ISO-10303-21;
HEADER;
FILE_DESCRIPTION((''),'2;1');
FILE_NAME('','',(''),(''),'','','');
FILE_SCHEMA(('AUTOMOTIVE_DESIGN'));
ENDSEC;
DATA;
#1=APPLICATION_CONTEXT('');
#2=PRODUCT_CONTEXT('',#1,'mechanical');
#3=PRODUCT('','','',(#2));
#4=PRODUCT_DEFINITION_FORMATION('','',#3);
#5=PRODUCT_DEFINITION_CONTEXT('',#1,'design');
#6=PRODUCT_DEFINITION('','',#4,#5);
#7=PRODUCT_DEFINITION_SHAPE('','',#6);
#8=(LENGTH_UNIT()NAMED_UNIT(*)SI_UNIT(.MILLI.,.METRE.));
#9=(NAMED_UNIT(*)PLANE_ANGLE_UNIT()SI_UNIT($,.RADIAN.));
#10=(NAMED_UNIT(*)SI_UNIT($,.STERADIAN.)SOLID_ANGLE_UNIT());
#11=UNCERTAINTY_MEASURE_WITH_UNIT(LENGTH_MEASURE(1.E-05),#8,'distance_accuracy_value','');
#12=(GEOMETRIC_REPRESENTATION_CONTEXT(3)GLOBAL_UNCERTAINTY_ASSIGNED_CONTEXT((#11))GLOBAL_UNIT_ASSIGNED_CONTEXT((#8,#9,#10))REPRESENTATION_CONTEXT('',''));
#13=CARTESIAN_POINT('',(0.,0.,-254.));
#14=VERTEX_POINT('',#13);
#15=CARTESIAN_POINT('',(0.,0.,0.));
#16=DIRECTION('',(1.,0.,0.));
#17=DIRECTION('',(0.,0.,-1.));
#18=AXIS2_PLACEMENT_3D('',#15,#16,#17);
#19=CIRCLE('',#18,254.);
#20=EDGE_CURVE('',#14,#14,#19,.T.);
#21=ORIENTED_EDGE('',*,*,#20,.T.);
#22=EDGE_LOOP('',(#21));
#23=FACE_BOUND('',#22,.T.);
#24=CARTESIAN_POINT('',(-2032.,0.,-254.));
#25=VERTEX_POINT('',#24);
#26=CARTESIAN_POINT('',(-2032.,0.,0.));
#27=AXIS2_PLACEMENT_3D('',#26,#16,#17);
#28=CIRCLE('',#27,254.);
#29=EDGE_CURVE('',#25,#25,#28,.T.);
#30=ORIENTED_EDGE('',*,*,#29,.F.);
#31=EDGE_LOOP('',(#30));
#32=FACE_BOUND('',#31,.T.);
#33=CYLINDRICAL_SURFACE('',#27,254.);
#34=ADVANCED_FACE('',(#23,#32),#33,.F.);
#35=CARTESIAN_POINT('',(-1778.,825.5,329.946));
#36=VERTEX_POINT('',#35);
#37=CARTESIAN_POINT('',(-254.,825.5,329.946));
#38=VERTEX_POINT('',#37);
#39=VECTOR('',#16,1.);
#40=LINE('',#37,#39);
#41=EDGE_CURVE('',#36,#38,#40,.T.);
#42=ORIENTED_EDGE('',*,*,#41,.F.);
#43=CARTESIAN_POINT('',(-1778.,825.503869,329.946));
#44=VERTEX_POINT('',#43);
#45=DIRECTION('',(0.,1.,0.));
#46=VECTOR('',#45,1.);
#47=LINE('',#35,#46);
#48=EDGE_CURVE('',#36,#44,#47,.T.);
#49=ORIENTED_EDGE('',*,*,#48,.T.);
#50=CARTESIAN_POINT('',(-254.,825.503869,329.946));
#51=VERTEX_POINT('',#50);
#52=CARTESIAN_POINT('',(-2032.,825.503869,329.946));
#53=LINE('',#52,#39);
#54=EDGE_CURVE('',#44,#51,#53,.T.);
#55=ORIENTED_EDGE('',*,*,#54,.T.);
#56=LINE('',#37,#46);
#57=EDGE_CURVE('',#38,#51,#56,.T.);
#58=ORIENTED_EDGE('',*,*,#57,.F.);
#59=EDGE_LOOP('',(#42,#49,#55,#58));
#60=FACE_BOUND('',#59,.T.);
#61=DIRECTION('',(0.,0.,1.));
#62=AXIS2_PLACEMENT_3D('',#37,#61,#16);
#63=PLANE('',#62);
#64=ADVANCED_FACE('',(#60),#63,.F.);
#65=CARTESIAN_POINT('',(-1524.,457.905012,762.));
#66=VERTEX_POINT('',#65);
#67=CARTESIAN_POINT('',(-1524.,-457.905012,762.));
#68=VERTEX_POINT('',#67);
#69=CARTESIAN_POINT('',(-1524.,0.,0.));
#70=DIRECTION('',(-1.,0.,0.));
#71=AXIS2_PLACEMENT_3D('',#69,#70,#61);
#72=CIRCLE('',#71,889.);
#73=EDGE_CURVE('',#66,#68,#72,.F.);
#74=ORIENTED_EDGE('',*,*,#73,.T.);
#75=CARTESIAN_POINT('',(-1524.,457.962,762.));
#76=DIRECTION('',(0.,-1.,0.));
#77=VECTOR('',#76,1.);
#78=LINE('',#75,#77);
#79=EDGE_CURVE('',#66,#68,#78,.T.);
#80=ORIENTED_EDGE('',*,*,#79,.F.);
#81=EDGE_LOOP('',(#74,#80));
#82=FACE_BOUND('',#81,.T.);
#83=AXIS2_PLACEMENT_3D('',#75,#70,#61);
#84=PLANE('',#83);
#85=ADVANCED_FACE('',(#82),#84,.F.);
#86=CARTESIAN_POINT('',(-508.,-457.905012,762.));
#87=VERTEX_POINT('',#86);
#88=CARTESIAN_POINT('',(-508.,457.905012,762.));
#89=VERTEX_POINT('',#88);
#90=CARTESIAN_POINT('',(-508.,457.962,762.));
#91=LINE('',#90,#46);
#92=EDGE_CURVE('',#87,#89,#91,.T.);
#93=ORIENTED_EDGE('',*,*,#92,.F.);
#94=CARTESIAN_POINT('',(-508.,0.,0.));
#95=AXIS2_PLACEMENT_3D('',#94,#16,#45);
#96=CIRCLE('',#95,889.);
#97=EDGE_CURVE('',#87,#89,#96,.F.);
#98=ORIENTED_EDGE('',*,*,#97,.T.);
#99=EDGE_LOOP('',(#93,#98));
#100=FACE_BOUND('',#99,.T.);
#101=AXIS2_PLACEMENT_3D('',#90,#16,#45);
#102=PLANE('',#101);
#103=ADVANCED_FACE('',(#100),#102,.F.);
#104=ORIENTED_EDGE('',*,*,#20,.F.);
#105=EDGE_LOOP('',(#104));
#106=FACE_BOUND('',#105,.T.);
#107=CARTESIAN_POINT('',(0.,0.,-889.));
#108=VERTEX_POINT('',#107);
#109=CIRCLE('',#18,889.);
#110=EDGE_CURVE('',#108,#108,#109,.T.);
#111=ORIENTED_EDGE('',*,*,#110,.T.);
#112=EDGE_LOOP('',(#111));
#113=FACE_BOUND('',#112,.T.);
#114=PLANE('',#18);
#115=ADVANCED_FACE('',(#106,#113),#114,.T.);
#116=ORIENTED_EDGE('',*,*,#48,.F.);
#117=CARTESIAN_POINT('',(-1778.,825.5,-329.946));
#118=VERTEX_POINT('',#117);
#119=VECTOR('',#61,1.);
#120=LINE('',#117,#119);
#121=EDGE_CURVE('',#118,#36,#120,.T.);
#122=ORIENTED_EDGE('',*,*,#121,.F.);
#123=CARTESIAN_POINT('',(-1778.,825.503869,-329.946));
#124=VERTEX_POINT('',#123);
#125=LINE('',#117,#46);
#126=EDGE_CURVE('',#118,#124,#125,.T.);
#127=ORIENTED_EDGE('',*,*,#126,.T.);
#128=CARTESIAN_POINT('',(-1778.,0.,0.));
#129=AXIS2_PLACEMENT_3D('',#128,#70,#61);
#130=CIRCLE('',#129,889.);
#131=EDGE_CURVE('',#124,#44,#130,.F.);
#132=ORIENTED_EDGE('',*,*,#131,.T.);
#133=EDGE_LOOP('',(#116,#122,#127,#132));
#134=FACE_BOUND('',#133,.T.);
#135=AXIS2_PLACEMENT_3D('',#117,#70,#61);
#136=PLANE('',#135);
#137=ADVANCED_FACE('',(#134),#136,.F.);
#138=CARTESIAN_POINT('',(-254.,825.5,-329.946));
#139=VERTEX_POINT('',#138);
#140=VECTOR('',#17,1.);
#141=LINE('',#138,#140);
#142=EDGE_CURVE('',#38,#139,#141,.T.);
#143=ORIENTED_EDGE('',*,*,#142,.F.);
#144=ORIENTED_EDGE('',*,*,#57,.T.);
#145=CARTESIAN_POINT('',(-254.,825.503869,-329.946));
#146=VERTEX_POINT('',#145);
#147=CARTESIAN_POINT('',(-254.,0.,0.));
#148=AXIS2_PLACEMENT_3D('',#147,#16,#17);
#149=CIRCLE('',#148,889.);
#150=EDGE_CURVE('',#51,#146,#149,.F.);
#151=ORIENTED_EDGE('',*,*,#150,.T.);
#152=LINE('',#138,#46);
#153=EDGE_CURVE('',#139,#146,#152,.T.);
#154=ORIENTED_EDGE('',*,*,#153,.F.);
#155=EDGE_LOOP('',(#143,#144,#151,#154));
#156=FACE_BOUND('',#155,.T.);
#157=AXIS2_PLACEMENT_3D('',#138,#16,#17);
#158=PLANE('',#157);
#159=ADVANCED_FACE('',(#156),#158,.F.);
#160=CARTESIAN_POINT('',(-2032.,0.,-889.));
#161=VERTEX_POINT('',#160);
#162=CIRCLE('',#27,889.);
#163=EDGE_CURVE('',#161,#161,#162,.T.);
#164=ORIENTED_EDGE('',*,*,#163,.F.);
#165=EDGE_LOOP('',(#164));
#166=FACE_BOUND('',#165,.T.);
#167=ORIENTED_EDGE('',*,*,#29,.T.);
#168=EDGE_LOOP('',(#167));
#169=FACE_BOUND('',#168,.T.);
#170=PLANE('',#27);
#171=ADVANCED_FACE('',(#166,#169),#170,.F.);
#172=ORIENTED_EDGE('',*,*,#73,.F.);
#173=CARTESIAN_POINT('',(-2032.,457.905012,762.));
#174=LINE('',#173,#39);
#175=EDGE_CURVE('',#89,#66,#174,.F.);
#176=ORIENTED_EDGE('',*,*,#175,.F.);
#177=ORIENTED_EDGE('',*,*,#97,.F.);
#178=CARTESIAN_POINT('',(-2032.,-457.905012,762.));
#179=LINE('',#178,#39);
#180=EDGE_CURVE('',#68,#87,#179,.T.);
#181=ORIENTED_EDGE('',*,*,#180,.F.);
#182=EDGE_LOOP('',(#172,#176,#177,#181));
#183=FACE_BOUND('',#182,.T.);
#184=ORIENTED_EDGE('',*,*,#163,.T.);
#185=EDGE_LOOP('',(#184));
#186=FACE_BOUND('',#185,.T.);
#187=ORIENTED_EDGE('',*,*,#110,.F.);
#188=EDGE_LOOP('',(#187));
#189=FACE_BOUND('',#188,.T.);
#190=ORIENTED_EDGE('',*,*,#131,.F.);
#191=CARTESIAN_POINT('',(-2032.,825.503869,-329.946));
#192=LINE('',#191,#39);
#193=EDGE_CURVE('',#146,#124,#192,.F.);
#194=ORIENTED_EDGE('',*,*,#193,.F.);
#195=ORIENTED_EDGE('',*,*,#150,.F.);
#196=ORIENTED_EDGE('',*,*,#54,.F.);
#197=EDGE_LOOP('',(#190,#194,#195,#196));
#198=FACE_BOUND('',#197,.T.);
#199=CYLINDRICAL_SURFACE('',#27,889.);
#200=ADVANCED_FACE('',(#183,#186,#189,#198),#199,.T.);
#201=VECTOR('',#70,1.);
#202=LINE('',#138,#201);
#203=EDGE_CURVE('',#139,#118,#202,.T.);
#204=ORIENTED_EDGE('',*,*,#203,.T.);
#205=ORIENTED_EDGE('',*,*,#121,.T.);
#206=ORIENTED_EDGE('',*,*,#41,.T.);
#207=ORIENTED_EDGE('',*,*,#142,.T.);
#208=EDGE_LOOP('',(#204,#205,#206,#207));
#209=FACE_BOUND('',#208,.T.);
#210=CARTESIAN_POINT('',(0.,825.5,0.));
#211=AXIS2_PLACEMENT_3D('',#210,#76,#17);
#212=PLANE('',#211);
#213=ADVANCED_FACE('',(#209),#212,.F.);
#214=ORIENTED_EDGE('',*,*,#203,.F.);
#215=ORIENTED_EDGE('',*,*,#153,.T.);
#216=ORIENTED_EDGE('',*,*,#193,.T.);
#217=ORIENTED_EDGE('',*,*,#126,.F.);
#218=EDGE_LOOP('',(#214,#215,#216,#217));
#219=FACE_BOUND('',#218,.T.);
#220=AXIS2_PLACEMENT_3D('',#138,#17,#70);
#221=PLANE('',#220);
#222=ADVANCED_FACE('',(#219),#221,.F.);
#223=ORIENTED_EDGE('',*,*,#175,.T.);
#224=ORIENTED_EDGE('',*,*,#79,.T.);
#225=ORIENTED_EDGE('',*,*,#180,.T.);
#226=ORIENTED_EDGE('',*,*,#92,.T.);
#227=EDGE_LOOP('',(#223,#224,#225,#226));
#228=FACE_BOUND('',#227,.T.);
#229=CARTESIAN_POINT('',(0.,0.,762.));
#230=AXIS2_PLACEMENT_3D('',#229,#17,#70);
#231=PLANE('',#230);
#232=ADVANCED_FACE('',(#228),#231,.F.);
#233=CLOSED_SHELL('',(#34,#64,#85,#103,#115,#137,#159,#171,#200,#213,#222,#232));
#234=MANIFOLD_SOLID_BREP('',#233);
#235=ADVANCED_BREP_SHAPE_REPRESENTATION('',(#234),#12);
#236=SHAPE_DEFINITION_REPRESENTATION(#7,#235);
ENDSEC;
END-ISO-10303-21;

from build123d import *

# Parameters (mm, degrees)
SKETCH1_R           = 889
SKETCH1_R_2         = 254
BOSS_EXTRUDE1_DEPTH = 2032
SKETCH2_W           = 1016
SKETCH2_H           = 915.924
CUT_EXTRUDE1_DEPTH  = 127
SKETCH3_W           = 1524
SKETCH3_H           = 659.892
CUT_EXTRUDE2_DEPTH  = 63.5


with BuildPart() as part:
    # Sketch1 → Boss-Extrude1 (new body)
    with BuildSketch(Plane(origin=(0, 0, 0), x_dir=(0, 0, -1), z_dir=(1, 0, 0))):
        Circle(SKETCH1_R)
        Circle(SKETCH1_R_2, mode=Mode.SUBTRACT)
    extrude(amount=-BOSS_EXTRUDE1_DEPTH)

    # Sketch2 → Cut-Extrude1 (cut)
    with BuildSketch(Plane.XY.offset(889)):
        with Locations((-1016, 0)):
            Rectangle(SKETCH2_W, SKETCH2_H)
    extrude(amount=-CUT_EXTRUDE1_DEPTH, mode=Mode.SUBTRACT)

    # Sketch3 → Cut-Extrude2 (cut)
    with BuildSketch(Plane(origin=(0, 889, 0), x_dir=(1, 0, 0), z_dir=(0, 1, 0))):
        with Locations((-1016, 0)):
            Rectangle(SKETCH3_W, SKETCH3_H)
    extrude(amount=-CUT_EXTRUDE2_DEPTH, mode=Mode.SUBTRACT)


solid = part.part
